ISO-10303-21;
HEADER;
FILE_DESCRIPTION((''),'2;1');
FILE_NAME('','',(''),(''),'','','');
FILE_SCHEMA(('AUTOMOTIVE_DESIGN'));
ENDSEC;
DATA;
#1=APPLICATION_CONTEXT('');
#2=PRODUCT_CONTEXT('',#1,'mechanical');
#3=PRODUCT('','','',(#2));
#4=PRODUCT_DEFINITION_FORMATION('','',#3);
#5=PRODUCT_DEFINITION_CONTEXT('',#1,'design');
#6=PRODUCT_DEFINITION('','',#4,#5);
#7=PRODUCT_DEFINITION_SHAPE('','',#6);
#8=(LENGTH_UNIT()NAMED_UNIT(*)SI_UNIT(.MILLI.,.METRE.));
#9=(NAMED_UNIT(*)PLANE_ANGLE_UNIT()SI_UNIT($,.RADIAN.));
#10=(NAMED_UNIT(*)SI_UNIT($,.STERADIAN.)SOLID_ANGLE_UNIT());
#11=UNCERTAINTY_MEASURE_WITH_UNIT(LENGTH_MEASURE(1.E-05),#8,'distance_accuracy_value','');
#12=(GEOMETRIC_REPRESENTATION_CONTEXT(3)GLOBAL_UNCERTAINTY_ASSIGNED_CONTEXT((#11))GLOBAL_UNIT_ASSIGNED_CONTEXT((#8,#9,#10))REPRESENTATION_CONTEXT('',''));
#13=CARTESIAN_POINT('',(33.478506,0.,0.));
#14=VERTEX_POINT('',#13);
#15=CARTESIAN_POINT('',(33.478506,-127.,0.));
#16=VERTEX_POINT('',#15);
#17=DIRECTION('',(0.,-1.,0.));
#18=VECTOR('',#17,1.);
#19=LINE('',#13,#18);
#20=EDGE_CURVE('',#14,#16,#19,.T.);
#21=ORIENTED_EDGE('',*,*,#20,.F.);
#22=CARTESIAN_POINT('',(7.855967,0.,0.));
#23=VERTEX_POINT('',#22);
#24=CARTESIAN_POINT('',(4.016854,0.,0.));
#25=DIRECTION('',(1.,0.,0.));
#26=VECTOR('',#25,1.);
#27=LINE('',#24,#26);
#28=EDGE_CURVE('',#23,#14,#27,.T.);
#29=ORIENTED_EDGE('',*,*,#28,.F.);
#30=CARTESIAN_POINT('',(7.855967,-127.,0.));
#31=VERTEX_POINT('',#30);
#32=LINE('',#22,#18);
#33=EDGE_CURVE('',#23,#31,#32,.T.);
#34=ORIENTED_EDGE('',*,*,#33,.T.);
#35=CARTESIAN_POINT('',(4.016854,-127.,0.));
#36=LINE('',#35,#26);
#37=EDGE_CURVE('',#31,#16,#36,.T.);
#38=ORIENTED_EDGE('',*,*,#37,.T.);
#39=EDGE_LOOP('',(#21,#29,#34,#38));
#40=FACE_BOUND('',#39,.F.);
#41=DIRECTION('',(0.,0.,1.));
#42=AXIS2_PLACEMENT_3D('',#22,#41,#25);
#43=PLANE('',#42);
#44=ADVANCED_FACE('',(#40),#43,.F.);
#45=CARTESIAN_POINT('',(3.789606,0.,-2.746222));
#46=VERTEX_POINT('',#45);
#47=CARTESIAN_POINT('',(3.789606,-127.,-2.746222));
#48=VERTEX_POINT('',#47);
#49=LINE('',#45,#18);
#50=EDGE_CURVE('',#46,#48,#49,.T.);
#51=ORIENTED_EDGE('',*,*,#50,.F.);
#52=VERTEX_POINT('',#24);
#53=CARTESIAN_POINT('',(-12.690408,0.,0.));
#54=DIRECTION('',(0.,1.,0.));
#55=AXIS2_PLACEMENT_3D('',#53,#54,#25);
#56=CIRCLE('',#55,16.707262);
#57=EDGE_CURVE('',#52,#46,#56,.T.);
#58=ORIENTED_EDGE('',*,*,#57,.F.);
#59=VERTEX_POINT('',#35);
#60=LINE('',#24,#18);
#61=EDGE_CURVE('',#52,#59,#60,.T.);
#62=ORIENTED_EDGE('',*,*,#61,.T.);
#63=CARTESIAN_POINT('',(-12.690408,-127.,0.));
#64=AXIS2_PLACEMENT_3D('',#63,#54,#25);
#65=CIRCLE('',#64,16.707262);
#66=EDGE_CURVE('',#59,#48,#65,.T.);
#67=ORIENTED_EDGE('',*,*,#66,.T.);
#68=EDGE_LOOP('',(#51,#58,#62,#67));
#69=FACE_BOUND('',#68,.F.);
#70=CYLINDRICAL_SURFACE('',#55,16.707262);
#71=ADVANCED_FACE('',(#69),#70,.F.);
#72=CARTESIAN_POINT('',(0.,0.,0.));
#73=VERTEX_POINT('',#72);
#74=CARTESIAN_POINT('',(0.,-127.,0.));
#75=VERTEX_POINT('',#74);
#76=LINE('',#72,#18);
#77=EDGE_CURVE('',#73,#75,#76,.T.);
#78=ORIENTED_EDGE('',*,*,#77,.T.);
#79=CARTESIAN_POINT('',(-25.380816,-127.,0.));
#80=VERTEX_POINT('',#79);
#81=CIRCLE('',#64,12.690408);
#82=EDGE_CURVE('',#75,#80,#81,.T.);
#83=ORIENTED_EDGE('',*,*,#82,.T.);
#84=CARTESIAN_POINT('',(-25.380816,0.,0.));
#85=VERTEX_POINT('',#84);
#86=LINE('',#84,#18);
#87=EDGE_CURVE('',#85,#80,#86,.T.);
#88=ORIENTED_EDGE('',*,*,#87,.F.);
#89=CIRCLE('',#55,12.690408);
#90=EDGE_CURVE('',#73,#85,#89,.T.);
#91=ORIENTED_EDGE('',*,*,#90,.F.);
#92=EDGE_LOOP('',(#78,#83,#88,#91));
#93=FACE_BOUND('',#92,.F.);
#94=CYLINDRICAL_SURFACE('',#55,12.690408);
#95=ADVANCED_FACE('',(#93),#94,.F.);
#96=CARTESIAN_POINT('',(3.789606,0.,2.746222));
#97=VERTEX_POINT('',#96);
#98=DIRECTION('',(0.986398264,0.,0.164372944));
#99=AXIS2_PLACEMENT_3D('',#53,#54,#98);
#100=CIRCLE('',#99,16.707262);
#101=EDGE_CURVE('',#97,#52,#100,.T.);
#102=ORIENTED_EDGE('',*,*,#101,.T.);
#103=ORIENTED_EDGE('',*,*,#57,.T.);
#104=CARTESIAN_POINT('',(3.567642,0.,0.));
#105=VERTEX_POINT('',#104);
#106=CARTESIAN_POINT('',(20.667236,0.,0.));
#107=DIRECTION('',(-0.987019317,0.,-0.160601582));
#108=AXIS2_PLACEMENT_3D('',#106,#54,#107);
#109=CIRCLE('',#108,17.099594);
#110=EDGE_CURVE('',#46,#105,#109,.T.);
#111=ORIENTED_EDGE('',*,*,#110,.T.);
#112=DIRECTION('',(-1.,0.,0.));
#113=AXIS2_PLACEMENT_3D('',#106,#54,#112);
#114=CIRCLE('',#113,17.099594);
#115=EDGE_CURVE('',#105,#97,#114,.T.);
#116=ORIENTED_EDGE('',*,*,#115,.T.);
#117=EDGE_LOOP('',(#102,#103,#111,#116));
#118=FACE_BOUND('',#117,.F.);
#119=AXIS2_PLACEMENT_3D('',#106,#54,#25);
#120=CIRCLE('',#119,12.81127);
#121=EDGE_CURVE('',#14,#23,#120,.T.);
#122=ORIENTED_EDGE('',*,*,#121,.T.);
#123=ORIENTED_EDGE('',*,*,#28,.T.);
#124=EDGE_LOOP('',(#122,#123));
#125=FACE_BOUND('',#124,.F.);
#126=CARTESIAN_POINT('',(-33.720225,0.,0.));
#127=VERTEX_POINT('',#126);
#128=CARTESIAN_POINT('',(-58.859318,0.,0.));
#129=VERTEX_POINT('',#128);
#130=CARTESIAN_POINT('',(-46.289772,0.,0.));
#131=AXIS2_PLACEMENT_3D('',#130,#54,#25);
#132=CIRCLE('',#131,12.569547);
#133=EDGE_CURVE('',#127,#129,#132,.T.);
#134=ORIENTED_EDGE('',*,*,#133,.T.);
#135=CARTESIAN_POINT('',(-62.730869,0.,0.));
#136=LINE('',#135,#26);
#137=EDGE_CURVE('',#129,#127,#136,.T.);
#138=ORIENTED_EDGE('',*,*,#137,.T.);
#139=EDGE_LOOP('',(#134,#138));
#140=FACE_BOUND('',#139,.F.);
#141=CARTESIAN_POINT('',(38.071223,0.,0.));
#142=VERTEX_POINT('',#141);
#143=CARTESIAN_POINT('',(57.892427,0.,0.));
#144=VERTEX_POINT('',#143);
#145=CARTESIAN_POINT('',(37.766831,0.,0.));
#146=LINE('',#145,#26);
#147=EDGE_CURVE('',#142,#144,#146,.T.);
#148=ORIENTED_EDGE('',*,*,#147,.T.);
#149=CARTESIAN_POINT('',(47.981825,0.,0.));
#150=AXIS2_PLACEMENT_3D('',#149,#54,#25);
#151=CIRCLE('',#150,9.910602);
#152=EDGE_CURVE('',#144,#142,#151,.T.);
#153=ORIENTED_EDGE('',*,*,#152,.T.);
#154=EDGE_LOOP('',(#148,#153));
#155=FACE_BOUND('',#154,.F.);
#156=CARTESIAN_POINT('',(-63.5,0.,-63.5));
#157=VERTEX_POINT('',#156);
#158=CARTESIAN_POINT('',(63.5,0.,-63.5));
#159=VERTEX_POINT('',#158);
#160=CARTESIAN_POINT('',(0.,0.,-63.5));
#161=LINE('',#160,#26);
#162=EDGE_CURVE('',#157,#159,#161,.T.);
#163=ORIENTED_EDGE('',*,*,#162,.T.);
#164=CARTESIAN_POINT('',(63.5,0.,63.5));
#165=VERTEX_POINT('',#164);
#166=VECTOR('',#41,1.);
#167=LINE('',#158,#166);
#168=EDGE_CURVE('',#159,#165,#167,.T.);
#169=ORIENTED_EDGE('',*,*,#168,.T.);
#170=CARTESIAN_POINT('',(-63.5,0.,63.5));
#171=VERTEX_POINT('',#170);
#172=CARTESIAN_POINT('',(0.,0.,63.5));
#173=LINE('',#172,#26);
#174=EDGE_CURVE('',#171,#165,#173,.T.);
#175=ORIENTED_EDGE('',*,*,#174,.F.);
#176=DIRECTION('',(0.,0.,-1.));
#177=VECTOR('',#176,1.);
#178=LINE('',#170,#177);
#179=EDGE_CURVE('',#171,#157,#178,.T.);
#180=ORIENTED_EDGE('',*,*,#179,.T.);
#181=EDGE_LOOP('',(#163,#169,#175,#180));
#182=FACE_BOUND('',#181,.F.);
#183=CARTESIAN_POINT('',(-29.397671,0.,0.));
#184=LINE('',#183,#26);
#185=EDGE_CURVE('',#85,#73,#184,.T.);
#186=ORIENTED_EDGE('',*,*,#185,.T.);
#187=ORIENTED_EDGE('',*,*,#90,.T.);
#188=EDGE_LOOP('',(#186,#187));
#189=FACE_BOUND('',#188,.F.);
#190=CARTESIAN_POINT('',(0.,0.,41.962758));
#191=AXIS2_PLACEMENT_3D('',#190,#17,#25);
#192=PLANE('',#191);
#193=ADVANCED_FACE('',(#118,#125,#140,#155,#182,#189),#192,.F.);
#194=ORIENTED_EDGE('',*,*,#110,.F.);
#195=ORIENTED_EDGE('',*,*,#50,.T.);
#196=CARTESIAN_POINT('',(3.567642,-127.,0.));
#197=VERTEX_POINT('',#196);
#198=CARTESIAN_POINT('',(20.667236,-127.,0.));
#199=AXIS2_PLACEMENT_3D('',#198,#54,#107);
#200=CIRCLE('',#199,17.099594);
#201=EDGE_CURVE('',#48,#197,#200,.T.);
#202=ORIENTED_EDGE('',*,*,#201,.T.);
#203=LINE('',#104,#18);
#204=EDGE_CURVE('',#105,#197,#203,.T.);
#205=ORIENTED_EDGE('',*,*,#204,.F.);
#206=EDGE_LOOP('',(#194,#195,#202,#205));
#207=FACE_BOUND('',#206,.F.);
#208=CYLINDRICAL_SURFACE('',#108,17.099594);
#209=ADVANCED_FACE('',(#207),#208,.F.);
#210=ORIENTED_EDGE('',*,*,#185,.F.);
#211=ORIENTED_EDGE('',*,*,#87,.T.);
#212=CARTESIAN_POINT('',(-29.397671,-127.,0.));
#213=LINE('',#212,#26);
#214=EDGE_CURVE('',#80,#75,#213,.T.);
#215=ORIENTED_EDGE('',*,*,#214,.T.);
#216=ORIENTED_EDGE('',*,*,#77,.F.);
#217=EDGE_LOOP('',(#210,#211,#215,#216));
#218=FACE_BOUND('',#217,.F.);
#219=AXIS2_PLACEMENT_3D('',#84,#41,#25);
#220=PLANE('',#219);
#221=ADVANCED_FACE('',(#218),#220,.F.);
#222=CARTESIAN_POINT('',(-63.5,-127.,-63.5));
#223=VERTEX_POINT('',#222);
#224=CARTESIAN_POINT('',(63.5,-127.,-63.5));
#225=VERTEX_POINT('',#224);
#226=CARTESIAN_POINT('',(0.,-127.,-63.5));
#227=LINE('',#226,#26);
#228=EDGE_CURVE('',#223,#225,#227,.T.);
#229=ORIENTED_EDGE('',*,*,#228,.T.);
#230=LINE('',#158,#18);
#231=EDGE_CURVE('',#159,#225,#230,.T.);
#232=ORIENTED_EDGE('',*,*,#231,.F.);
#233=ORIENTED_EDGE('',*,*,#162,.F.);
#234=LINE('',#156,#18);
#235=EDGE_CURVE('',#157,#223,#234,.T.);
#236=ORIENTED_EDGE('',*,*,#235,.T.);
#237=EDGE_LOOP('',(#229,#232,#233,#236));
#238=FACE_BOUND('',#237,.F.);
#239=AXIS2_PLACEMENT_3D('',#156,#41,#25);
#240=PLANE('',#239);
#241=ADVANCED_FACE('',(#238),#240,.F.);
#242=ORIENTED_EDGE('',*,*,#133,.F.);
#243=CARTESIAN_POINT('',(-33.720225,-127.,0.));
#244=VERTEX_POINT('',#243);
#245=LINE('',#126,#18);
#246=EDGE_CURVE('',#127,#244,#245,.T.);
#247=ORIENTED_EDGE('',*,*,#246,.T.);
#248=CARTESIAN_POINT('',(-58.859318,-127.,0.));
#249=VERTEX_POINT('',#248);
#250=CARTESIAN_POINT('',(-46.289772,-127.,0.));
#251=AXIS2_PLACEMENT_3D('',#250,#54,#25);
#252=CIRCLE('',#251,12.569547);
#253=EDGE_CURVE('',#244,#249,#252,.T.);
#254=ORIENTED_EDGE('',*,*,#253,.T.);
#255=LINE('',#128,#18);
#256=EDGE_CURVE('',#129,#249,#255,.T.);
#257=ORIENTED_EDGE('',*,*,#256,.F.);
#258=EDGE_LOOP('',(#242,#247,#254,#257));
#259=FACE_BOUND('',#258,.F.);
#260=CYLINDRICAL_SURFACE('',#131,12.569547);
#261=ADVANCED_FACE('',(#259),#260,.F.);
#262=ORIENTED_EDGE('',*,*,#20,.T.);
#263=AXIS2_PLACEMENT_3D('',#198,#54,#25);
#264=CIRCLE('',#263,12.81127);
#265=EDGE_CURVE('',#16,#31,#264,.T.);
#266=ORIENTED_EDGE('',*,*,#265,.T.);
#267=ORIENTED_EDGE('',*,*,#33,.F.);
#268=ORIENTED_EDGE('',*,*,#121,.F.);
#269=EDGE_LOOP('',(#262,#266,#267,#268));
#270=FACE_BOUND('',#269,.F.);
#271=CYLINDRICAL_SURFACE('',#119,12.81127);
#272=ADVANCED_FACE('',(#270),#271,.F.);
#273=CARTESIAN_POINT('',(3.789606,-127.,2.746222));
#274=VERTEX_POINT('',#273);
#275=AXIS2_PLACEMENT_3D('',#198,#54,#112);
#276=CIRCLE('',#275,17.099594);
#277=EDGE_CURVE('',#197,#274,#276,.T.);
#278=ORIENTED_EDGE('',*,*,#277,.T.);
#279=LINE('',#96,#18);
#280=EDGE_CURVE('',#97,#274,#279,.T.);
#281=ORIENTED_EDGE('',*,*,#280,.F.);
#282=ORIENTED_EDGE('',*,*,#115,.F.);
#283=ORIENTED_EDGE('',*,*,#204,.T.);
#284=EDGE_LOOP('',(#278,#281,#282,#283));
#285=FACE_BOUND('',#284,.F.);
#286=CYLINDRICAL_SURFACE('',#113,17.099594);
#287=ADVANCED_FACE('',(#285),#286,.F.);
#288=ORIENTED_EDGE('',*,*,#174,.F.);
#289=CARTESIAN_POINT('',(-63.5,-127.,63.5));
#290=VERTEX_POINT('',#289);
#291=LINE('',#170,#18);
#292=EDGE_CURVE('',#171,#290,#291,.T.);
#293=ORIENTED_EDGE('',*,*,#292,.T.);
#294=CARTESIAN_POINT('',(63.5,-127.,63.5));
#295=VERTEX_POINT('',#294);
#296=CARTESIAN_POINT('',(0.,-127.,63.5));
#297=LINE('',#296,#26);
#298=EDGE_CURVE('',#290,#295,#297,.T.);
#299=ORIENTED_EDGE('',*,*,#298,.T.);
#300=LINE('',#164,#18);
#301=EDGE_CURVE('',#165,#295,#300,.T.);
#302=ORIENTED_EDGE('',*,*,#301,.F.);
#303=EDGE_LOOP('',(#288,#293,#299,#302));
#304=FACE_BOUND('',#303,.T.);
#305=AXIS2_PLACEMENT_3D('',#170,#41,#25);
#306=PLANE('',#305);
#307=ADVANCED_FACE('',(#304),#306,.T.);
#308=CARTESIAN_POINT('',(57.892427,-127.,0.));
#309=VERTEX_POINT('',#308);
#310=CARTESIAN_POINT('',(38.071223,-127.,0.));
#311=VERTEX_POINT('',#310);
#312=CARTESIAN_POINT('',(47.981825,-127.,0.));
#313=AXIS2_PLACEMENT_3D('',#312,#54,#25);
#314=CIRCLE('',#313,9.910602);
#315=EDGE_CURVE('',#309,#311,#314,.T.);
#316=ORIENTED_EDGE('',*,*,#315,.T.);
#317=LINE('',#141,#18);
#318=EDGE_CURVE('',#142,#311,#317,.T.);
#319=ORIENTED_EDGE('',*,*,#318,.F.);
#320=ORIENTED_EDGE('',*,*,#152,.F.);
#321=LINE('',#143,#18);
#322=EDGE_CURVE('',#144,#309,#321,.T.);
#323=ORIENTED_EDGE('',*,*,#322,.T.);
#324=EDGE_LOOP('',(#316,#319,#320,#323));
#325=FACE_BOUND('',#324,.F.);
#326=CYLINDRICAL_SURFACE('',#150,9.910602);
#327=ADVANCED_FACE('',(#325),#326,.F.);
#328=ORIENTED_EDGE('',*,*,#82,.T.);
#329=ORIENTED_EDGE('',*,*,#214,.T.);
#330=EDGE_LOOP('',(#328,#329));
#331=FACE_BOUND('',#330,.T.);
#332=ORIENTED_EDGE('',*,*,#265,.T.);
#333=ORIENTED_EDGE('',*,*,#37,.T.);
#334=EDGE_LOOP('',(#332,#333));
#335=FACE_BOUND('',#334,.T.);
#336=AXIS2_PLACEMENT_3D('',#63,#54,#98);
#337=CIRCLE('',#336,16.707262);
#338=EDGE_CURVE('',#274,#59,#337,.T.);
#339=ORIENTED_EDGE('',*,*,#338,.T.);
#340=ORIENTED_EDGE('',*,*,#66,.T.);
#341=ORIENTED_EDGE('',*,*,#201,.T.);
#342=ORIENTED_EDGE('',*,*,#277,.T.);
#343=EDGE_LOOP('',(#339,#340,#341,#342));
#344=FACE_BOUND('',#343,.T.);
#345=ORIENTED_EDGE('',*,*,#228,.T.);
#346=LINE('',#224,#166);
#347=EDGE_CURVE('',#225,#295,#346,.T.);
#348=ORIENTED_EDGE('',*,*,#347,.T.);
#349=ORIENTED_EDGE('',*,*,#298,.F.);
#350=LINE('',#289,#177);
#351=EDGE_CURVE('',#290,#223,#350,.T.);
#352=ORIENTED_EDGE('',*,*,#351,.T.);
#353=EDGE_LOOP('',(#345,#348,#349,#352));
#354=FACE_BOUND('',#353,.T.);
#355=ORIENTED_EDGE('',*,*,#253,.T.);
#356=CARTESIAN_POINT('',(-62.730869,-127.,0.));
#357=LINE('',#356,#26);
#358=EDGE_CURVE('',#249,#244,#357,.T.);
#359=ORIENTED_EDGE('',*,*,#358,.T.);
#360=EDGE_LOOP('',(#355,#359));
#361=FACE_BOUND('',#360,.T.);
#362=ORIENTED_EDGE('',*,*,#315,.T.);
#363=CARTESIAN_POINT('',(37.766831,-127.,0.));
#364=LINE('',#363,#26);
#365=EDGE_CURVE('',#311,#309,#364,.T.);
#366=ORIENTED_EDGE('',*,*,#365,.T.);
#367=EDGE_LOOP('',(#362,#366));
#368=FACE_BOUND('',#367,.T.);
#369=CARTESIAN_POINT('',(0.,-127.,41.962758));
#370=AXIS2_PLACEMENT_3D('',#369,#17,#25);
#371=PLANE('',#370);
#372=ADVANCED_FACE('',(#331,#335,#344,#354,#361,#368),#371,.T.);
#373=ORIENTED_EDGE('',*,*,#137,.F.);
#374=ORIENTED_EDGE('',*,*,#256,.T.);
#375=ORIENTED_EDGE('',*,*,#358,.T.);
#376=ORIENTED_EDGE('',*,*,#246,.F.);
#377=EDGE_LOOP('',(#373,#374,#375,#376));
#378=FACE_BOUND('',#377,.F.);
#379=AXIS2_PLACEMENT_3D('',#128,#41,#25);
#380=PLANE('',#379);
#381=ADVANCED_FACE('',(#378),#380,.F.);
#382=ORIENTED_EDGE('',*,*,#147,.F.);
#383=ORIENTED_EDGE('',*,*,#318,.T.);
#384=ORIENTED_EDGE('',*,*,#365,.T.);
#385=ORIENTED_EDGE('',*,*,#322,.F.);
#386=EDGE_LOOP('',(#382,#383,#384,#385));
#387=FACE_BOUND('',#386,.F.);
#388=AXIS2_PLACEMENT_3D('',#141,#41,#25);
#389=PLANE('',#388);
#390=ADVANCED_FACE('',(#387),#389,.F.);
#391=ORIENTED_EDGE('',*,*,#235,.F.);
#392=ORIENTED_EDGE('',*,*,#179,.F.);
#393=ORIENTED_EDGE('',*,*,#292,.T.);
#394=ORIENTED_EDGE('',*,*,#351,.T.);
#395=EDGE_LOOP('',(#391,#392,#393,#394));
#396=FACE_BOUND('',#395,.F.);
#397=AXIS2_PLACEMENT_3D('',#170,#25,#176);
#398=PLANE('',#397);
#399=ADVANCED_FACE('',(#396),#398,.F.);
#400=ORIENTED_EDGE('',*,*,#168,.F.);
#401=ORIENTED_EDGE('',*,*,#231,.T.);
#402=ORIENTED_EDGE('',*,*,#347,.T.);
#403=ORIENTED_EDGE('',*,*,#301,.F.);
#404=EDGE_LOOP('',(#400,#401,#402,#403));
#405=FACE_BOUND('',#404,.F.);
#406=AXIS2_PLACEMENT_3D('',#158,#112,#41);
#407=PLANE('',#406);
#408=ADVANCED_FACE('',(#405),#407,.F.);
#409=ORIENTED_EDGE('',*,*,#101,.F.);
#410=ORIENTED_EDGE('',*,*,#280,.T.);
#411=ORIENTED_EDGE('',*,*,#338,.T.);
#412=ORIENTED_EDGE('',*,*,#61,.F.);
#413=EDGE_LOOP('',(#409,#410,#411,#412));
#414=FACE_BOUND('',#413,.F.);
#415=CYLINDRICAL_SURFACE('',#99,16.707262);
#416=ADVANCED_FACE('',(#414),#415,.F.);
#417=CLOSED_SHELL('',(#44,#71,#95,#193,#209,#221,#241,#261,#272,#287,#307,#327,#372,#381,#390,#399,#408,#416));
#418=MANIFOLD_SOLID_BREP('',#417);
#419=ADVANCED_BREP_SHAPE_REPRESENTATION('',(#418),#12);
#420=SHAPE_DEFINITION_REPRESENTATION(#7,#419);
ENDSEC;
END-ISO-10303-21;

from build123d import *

# Parameters (mm, degrees)
F0_W     = 127
F0_H     = 43.0744847506
F1_DEPTH = 127


with BuildPart() as f1:
    # F0 (on Front) → F1 (new body)
    with BuildSketch(Plane.XZ):
        with Locations((0, 41.9627576247)):
            Rectangle(F0_W, F0_H)
        with Locations((0, -41.9627576247)):
            Rectangle(F0_W, F0_H)
        with BuildLine():
            Line((63.5, -20.4255152494), (63.5, 0))
            Line((63.5, 0), (60.0370731576, 0))
            ThreePointArc((60.0370731576, 0), (50.5451090429, -11.7795835352), (37.0166287351, -5.0093404391))
            ThreePointArc((37.0166287351, -5.0093404391), (19.5052616542, -17.06006857), (3.7896064307, -2.7462219024))
            ThreePointArc((3.7896064307, -2.7462219024), (-14.0682122313, -16.6503534924), (-29.3976705132, 0))
            Line((-29.3976705132, 0), (-29.8486748192, 0))
            ThreePointArc((-29.8486748192, 0), (-46.2897717953, -16.4410969761), (-62.7308687714, 0))
            Line((-62.7308687714, 0), (-63.5, 0))
            Line((-63.5, 0), (-63.5, -20.4255152494))
            Line((-63.5, -20.4255152494), (63.5, -20.4255152494))
        make_face()
        with BuildLine():
            Line((63.5, 0), (63.5, 20.4255152494))
            Line((63.5, 20.4255152494), (-63.5, 20.4255152494))
            Line((-63.5, 20.4255152494), (-63.5, 0))
            Line((-63.5, 0), (-62.7308687714, 0))
            ThreePointArc((-62.7308687714, 0), (-46.2897717953, 16.4410969761), (-29.8486748192, 0))
            Line((-29.8486748192, 0), (-29.3976705132, 0))
            ThreePointArc((-29.3976705132, 0), (-14.0682122313, 16.6503534924), (3.7896064307, 2.7462219024))
            ThreePointArc((3.7896064307, 2.7462219024), (19.5052616542, 17.06006857), (37.0166287351, 5.0093404391))
            ThreePointArc((37.0166287351, 5.0093404391), (50.5451090429, 11.7795835352), (60.0370731576, 0))
            Line((60.0370731576, 0), (63.5, 0))
        make_face()
        with BuildLine():
            ThreePointArc((-29.3976705132, 0), (-14.0682122313, -16.6503534924), (3.7896064307, -2.7462219024))
            ThreePointArc((3.7896064307, -2.7462219024), (3.6232234507, -1.3775887394), (3.5676420141, 0))
            Line((3.5676420141, 0), (0, 0))
            ThreePointArc((0, 0), (-12.6904081553, -12.6904081553), (-25.3808163106, 0))
            Line((-25.3808163106, 0), (-29.3976705132, 0))
        make_face()
        with BuildLine():
            ThreePointArc((3.5676420141, 0), (3.6232234507, 1.3775887394), (3.7896064307, 2.7462219024))
            ThreePointArc((3.7896064307, 2.7462219024), (-14.0682122313, 16.6503534924), (-29.3976705132, 0))
            Line((-29.3976705132, 0), (-25.3808163106, 0))
            Line((-25.3808163106, 0), (0, 0))
            Line((0, 0), (3.5676420141, 0))
        make_face()
        with BuildLine():
            ThreePointArc((-29.8486748192, 0), (-46.2897717953, 16.4410969761), (-62.7308687714, 0))
            Line((-62.7308687714, 0), (-58.8593184948, 0))
            Line((-58.8593184948, 0), (-33.7202250957, 0))
            Line((-33.7202250957, 0), (-29.8486748192, 0))
        make_face()
        with BuildLine():
            ThreePointArc((35.9265762941, 0), (36.2022411907, 2.563284317), (37.0166287351, 5.0093404391))
            ThreePointArc((37.0166287351, 5.0093404391), (19.5052616542, 17.06006857), (3.7896064307, 2.7462219024))
            ThreePointArc((3.7896064307, 2.7462219024), (3.9599453371, 1.377804076), (4.0168542025, 0))
            Line((4.0168542025, 0), (7.8559666872, 0))
            Line((7.8559666872, 0), (33.4785059094, 0))
            Line((33.4785059094, 0), (35.9265762941, 0))
        make_face()
        with BuildLine():
            Line((57.8924268484, 0), (60.0370731576, 0))
            ThreePointArc((60.0370731576, 0), (50.5451090429, 11.7795835352), (37.0166287351, 5.0093404391))
            ThreePointArc((37.0166287351, 5.0093404391), (37.5782401442, 2.5326021424), (37.7668305826, 0))
            Line((37.7668305826, 0), (38.0712226033, 0))
            Line((38.0712226033, 0), (57.8924268484, 0))
        make_face()
        with BuildLine():
            ThreePointArc((37.0166287351, -5.0093404391), (50.5451090429, -11.7795835352), (60.0370731576, 0))
            Line((60.0370731576, 0), (57.8924268484, 0))
            ThreePointArc((57.8924268484, 0), (47.9818247259, -9.9106021225), (38.0712226033, 0))
            Line((38.0712226033, 0), (37.7668305826, 0))
            ThreePointArc((37.7668305826, 0), (37.5782401442, -2.5326021424), (37.0166287351, -5.0093404391))
        make_face()
        with BuildLine():
            ThreePointArc((35.9265762941, 0), (36.2022411907, -2.563284317), (37.0166287351, -5.0093404391))
            ThreePointArc((37.0166287351, -5.0093404391), (37.5782401442, -2.5326021424), (37.7668305826, 0))
            Line((37.7668305826, 0), (35.9265762941, 0))
        make_face()
        with BuildLine():
            ThreePointArc((37.7668305826, 0), (37.5782401442, 2.5326021424), (37.0166287351, 5.0093404391))
            ThreePointArc((37.0166287351, 5.0093404391), (36.2022411907, 2.563284317), (35.9265762941, 0))
            Line((35.9265762941, 0), (37.7668305826, 0))
        make_face()
        with BuildLine():
            ThreePointArc((3.7896064307, -2.7462219024), (19.5052616542, -17.06006857), (37.0166287351, -5.0093404391))
            ThreePointArc((37.0166287351, -5.0093404391), (36.2022411907, -2.563284317), (35.9265762941, 0))
            Line((35.9265762941, 0), (33.4785059094, 0))
            ThreePointArc((33.4785059094, 0), (20.6672362983, -12.8112696111), (7.8559666872, 0))
            Line((7.8559666872, 0), (4.0168542025, 0))
            ThreePointArc((4.0168542025, 0), (3.9599453371, -1.377804076), (3.7896064307, -2.7462219024))
        make_face()
        with BuildLine():
            Line((-58.8593184948, 0), (-62.7308687714, 0))
            ThreePointArc((-62.7308687714, 0), (-46.2897717953, -16.4410969761), (-29.8486748192, 0))
            Line((-29.8486748192, 0), (-33.7202250957, 0))
            ThreePointArc((-33.7202250957, 0), (-46.2897717953, -12.5695466995), (-58.8593184948, 0))
        make_face()
    extrude(amount=F1_DEPTH)


solid = f1.part
